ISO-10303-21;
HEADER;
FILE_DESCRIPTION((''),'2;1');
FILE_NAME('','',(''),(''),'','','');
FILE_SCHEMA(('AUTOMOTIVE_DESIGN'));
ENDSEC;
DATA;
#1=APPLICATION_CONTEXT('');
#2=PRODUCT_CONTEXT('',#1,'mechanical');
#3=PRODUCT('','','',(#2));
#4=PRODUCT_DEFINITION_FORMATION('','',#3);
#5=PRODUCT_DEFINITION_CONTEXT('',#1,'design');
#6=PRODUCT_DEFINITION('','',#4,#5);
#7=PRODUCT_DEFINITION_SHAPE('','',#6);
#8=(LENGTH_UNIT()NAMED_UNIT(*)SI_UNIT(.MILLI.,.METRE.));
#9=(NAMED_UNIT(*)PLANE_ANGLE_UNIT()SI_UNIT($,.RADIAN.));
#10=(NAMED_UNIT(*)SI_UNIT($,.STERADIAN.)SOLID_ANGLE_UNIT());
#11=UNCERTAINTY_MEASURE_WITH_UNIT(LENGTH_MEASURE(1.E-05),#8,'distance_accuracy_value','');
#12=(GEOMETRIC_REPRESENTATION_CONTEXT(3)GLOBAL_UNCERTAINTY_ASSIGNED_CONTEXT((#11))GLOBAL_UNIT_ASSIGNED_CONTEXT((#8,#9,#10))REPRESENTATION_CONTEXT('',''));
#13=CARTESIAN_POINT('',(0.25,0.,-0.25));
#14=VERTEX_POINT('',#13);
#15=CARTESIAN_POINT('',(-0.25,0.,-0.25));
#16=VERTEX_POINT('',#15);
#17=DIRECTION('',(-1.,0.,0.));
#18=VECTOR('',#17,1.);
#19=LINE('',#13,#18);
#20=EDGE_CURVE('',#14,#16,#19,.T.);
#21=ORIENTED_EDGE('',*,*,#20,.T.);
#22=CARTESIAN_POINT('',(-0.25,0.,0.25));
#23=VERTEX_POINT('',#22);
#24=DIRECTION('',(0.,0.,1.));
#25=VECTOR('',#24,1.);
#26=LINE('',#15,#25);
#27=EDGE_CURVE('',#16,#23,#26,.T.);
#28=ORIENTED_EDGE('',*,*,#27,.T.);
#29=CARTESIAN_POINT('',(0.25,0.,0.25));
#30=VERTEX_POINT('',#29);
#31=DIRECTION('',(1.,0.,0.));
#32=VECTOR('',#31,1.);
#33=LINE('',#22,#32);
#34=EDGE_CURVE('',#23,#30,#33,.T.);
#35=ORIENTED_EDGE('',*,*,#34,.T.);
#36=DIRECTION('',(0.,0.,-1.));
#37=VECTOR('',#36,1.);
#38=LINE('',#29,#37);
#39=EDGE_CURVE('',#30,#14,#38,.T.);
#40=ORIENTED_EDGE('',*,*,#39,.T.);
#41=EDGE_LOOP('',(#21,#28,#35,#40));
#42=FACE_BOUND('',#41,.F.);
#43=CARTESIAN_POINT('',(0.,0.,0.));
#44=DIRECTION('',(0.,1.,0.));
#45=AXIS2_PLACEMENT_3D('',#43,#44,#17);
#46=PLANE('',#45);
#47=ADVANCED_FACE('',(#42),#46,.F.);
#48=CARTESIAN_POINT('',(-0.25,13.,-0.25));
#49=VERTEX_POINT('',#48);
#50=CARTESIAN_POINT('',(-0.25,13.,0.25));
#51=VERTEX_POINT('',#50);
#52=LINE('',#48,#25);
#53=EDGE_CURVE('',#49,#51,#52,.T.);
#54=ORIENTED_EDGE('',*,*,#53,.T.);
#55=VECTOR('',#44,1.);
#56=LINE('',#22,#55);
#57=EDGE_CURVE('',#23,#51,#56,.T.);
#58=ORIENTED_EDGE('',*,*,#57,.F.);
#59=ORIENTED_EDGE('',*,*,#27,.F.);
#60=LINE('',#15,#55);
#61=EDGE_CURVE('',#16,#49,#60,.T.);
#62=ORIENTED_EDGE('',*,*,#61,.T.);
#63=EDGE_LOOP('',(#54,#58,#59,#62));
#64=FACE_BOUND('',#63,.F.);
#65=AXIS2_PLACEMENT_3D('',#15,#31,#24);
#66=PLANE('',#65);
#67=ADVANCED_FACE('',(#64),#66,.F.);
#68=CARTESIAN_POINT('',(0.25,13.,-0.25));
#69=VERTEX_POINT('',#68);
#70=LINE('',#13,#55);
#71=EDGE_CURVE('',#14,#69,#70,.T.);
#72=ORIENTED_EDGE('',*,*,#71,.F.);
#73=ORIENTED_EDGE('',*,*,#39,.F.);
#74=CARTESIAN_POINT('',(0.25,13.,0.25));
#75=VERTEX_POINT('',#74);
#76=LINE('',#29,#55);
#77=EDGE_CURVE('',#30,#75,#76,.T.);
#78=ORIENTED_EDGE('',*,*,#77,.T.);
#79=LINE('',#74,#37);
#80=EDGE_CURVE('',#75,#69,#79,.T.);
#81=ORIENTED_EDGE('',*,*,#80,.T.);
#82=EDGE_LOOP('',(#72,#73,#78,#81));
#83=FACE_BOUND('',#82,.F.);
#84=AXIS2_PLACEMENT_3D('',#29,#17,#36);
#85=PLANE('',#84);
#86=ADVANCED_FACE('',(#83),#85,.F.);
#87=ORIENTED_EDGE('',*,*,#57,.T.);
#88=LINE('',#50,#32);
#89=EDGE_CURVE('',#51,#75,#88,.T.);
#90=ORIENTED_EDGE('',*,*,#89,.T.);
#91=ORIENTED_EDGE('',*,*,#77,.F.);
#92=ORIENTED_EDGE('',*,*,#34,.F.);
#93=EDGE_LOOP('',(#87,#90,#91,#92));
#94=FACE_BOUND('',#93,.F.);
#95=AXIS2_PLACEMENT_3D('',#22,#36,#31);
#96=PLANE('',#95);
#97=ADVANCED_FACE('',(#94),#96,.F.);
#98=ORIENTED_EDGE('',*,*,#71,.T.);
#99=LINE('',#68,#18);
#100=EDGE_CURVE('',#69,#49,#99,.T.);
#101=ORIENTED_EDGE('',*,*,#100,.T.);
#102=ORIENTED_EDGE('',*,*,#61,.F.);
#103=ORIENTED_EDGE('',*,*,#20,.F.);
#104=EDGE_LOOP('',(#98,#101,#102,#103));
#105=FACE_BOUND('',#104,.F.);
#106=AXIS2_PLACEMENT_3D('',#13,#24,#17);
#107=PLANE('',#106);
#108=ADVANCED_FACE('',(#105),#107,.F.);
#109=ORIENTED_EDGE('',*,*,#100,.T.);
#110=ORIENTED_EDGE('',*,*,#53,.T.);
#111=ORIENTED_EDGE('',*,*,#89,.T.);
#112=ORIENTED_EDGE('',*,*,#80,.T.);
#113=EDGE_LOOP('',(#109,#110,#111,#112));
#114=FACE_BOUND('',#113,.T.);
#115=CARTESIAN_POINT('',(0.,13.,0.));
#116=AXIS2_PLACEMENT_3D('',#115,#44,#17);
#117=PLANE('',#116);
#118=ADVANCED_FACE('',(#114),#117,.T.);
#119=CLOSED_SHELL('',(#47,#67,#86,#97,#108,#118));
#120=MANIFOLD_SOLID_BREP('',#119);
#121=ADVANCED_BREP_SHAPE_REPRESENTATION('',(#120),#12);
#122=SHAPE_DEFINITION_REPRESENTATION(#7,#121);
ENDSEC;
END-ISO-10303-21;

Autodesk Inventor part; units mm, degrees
ref_plane "YZ Plane" through (0, 0, 0) normal (1, 0, 0) x (0, 1, 0)
ref_plane "XZ Plane" through (0, 0, 0) normal (0, 1, 0) x (-1, 0, 0)
ref_plane "XY Plane" through (0, 0, 0) normal (0, 0, 1) x (1, 0, 0)
sketch "Sketch1" plane through (0, 0, 0) normal (0, 1, 0) x (-1, 0, 0)
  line L0 (0.25, 0.25) -> (-0.25, 0.25)
  line L1 (-0.25, 0.25) -> (-0.25, -0.25)
  line L2 (-0.25, -0.25) -> (0.25, -0.25)
  line L3 (0.25, -0.25) -> (0.25, 0.25)
  line L4 (0.25, 0.25) -> (-0.25, -0.25) construction
  line L5 (-0.25, 0.25) -> (0.25, -0.25) construction
  point P0 (0, 0)
  dimension "d0" = 0.5
  dimension "d1" = 0.5
extrude "Extrusion1" add sketch "Sketch1" along normal blind 13
properties part number "led-wire-long"
